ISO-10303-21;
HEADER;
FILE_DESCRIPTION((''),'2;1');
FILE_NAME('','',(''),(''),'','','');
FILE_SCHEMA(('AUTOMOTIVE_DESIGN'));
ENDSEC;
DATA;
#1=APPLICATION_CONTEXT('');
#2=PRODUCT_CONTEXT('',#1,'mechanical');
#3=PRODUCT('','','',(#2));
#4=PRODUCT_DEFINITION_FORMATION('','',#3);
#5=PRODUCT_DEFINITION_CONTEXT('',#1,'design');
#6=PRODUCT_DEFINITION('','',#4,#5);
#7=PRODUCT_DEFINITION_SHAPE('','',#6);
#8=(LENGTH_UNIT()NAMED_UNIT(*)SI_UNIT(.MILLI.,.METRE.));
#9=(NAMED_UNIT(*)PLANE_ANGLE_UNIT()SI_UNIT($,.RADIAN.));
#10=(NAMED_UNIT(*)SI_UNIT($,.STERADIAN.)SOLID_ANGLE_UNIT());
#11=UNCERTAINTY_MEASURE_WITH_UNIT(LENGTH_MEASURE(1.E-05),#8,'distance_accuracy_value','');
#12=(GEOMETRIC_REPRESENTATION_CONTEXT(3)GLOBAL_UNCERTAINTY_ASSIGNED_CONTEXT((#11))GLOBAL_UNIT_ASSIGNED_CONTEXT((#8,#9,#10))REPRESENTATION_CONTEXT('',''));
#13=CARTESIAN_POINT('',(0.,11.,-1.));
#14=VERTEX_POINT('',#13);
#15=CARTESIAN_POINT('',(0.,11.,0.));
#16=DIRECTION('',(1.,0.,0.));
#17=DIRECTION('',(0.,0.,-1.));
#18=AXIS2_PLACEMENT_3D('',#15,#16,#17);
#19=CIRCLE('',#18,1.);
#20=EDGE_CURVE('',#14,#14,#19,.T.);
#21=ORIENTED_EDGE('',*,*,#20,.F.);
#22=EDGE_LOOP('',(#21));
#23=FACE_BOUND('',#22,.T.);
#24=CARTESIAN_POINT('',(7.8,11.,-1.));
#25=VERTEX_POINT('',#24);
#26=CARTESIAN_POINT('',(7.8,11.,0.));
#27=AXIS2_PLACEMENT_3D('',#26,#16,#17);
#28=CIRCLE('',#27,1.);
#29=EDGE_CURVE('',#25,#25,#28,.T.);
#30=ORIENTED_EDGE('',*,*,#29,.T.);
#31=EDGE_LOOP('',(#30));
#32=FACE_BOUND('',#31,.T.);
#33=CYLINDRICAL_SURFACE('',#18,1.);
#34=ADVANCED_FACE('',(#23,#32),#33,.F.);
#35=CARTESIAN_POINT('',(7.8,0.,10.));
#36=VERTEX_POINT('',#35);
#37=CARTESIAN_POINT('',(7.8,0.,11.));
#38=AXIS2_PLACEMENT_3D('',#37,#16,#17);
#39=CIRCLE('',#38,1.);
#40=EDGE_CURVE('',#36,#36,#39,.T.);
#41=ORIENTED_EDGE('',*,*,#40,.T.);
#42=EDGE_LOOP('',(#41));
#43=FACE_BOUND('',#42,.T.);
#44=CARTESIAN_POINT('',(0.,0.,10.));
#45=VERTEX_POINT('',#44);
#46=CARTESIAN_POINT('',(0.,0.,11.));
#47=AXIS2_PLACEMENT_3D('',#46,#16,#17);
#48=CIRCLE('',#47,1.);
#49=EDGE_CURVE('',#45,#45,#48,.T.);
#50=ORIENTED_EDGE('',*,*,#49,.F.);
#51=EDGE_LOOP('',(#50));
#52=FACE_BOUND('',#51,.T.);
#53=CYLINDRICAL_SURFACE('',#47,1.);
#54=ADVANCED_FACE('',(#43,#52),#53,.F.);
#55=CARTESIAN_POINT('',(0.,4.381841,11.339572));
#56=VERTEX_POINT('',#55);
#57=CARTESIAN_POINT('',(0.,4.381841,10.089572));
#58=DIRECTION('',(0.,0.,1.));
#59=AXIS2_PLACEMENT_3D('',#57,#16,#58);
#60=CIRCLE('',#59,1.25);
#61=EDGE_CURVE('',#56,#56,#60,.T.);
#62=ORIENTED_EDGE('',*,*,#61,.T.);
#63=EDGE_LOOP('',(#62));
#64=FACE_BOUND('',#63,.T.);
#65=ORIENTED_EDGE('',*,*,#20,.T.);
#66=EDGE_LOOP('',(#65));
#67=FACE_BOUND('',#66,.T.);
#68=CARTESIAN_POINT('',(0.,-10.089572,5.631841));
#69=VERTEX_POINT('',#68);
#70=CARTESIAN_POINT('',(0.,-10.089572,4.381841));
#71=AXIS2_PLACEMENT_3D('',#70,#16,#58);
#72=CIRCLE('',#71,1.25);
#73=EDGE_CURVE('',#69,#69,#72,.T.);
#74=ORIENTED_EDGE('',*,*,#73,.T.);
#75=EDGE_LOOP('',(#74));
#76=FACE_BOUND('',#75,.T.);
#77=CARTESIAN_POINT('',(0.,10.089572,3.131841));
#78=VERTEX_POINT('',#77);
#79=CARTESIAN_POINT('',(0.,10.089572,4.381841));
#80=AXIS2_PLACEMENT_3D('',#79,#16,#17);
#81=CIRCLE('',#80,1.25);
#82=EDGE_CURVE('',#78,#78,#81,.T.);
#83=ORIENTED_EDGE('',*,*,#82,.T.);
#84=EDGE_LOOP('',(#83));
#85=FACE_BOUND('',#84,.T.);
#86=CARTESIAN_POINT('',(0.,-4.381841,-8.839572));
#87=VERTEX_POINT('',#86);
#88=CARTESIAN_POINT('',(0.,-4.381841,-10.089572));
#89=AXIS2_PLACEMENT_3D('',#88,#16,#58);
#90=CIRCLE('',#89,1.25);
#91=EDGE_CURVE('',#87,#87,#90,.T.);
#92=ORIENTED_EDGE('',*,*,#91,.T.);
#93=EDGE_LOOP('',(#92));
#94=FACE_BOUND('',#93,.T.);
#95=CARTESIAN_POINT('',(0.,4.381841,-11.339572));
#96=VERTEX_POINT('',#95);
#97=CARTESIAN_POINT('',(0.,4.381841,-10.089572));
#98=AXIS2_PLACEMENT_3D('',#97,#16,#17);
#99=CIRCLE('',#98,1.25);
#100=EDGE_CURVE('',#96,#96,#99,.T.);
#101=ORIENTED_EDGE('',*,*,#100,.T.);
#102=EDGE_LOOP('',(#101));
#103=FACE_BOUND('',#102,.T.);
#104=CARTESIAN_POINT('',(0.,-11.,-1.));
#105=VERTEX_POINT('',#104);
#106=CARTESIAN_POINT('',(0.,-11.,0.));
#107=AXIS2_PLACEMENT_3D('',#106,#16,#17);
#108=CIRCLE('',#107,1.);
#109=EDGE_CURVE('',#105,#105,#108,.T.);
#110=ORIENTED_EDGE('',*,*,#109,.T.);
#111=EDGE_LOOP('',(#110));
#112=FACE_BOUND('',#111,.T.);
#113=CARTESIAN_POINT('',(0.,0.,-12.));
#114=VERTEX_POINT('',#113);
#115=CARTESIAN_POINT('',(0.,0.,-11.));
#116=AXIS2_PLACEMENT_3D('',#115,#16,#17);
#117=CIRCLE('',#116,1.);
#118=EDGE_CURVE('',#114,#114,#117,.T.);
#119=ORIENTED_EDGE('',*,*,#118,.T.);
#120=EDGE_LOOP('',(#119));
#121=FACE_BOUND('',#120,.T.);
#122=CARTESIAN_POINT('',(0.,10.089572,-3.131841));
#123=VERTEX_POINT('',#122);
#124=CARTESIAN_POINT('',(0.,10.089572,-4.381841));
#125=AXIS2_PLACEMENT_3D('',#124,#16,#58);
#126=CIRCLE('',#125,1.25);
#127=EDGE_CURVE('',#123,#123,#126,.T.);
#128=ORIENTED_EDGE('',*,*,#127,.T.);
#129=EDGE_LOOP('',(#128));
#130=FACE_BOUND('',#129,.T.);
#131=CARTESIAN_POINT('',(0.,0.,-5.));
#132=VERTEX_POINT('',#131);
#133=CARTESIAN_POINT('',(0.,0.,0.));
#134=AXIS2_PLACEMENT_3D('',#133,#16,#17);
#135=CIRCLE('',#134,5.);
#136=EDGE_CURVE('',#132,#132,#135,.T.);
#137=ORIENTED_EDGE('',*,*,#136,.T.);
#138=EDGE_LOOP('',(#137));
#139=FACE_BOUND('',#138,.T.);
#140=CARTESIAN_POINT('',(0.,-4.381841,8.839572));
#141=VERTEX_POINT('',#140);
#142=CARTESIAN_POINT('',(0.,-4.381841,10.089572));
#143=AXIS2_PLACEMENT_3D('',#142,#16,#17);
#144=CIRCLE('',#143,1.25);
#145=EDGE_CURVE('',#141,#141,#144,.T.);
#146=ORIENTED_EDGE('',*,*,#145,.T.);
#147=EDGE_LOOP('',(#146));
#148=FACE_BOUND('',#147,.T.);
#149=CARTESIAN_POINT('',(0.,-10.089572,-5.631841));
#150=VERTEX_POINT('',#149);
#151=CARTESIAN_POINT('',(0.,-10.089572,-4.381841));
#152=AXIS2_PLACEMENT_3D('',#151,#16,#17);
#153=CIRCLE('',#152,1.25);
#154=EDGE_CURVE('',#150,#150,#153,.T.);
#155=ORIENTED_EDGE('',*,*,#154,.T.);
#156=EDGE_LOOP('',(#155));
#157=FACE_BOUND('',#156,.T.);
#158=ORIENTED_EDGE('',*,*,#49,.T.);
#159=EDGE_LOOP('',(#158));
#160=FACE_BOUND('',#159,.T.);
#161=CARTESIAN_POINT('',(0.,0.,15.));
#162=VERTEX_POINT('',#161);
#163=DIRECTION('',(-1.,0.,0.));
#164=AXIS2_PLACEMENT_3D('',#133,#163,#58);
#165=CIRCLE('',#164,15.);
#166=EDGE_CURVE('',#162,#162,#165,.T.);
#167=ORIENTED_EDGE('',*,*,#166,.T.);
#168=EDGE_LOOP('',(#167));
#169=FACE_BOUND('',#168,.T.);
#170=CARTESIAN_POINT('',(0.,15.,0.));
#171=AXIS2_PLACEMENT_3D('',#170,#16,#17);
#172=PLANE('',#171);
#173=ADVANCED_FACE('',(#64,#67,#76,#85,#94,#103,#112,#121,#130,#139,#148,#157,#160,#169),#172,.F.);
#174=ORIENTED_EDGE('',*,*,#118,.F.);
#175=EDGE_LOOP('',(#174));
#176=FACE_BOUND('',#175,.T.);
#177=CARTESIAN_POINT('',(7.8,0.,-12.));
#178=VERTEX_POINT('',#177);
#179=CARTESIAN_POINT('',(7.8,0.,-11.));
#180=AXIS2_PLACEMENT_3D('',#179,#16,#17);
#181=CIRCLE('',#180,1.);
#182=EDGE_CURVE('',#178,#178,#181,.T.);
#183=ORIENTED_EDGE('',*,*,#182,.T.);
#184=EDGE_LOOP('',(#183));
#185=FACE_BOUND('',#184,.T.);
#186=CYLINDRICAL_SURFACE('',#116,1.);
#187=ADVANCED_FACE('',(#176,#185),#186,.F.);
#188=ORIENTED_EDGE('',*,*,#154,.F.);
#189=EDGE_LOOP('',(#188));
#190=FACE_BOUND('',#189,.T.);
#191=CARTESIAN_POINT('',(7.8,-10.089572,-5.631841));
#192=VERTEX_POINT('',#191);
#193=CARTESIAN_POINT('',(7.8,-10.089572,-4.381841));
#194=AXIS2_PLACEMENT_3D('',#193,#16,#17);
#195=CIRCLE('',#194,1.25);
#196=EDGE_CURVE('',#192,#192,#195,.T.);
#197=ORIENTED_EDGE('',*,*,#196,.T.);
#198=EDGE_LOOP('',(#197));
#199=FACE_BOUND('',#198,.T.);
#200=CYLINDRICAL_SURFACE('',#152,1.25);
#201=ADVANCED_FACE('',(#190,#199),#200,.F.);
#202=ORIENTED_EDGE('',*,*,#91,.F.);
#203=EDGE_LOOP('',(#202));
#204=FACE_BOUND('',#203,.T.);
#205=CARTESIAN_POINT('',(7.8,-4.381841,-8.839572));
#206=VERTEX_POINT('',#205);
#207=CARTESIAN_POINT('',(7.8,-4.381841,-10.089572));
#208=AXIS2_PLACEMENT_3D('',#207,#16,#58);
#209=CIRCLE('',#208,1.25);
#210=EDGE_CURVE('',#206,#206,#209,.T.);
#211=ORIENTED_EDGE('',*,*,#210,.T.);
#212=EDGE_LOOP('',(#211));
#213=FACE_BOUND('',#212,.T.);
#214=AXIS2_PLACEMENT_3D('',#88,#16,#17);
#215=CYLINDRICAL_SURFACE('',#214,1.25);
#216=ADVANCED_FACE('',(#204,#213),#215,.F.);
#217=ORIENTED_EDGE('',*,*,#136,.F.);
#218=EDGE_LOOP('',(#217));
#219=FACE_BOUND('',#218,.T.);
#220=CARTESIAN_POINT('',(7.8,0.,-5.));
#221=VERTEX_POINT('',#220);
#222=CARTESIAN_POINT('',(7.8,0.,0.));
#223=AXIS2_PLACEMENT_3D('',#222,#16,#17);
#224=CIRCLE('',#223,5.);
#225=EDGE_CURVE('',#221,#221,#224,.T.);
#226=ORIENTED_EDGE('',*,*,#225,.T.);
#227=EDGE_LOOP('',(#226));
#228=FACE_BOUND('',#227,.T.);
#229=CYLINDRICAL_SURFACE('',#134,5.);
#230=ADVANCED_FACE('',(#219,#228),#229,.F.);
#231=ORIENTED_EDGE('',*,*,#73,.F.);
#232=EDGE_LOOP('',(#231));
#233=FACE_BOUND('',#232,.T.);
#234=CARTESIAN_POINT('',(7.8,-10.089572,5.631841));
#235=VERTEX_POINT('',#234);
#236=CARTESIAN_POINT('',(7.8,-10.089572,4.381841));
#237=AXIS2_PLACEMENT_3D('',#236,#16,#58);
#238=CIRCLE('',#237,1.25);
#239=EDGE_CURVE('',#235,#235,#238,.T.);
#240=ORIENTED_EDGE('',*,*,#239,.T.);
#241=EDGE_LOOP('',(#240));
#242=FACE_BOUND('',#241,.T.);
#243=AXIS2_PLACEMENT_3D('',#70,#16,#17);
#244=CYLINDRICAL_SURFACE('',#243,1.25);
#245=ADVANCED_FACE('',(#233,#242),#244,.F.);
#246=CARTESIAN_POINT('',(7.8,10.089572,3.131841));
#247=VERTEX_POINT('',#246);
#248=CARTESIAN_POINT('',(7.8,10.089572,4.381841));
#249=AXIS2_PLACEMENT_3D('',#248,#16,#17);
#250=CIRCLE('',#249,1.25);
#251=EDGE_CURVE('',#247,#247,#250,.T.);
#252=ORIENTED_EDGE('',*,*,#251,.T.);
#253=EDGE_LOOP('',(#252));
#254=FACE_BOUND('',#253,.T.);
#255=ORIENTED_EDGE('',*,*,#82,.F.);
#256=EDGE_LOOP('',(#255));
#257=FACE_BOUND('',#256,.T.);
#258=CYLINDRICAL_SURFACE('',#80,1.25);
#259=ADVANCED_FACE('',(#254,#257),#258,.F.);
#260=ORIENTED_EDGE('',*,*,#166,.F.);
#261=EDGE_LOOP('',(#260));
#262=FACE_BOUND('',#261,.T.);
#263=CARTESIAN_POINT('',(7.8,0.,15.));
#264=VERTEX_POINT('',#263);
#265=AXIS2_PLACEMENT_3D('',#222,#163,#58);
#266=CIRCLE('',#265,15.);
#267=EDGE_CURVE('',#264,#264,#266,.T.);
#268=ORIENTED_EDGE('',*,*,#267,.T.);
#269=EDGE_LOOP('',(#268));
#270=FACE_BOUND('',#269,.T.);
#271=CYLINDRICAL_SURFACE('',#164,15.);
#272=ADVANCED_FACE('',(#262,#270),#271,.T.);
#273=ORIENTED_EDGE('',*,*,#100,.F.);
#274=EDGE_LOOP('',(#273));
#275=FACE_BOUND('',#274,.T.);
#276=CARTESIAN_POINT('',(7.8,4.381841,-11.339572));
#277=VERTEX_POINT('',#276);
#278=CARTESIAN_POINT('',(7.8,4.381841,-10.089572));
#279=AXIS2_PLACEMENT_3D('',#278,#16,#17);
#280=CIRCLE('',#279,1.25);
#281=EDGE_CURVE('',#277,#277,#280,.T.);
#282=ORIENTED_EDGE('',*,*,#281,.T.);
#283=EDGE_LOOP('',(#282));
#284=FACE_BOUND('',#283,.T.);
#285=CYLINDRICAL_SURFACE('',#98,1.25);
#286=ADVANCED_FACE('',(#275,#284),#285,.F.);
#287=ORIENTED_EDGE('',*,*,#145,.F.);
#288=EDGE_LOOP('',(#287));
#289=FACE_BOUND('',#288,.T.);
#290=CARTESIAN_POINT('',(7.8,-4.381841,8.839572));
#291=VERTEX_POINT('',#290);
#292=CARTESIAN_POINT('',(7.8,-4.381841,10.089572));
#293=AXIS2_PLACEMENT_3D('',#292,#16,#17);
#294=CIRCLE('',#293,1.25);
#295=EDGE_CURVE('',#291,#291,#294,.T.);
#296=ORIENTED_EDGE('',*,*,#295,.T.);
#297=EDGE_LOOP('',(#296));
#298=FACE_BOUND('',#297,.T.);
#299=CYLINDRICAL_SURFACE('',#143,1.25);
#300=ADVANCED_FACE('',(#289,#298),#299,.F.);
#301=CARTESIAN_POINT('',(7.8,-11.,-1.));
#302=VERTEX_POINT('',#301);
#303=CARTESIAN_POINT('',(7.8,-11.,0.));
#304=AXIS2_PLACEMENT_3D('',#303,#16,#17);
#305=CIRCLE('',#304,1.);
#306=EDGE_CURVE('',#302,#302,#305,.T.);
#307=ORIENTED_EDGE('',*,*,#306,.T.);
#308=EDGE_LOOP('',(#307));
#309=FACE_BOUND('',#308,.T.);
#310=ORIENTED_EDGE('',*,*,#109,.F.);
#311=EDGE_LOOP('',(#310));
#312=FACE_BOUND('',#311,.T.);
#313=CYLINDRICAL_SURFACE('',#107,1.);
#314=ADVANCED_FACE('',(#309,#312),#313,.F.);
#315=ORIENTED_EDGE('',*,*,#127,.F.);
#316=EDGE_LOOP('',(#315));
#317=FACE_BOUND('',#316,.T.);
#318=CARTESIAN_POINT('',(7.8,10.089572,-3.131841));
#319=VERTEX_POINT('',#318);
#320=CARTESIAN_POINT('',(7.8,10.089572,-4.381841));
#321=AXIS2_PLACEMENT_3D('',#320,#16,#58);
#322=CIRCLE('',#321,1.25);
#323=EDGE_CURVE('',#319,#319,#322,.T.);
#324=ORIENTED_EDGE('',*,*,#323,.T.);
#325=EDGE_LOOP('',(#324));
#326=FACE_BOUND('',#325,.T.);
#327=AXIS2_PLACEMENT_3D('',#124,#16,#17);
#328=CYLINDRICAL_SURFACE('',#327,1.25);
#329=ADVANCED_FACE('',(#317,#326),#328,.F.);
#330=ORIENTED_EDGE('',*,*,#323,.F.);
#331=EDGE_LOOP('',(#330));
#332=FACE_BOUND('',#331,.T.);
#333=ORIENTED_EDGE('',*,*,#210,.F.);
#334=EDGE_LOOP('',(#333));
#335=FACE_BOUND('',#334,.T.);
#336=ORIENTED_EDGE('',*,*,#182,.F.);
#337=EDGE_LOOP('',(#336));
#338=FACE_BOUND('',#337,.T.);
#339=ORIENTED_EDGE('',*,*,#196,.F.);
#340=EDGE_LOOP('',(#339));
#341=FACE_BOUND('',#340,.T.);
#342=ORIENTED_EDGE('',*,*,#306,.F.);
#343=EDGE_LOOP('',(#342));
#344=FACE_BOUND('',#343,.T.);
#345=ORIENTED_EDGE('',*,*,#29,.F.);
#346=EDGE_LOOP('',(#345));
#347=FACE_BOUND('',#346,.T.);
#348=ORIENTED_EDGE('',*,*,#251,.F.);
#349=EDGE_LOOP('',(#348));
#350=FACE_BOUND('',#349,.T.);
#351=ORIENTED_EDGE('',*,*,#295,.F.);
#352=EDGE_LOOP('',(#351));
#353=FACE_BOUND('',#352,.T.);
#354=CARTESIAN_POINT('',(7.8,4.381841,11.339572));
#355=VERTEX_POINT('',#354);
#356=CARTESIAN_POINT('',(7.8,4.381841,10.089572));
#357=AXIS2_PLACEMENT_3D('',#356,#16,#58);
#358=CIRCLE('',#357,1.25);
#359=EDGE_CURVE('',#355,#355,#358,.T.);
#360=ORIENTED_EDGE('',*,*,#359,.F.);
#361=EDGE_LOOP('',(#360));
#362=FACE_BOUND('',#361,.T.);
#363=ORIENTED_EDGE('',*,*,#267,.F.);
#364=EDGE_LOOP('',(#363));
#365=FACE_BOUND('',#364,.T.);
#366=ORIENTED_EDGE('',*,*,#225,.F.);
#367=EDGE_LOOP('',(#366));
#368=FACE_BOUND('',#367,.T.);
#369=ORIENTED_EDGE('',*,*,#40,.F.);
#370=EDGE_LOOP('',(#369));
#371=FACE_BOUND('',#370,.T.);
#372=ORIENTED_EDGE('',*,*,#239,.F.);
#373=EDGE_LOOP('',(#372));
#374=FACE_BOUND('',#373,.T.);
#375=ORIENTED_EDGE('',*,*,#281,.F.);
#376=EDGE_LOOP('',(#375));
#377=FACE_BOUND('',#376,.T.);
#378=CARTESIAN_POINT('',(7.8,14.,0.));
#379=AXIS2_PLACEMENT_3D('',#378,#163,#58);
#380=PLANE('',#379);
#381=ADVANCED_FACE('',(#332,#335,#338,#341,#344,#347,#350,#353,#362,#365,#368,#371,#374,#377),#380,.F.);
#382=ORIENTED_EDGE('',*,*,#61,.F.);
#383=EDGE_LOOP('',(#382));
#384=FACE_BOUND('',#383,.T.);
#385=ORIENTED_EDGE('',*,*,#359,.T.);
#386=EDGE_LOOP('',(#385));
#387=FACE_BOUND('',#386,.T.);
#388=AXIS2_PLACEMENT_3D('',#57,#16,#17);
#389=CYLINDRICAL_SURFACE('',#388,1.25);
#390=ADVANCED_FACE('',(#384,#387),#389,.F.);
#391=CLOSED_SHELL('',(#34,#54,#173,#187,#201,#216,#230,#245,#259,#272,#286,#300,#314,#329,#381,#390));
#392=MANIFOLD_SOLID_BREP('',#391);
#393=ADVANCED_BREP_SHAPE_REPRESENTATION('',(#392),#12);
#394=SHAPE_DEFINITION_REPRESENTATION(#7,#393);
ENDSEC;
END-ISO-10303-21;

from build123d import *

# Parameters (mm, degrees)
SKETCH4_R          = 1
SKETCH4_R_2        = 1.25
EXTRUDE2_DEPTH     = 8.8
SKETCH5_R          = 5
CUT_EXTRUDE1_DEPTH = 8.8


with BuildPart() as part:
    # Sketch1 → Revolve1 (revolve)
    with BuildSketch(Plane.XY):
        Polygon((6.609375, 15), (1.190625, 15), (0, 15), (0, 14), (0, 0), (7.8, 0), (7.8, 14), (7.8, 15), align=None)
    revolve(axis=Axis((0, 0, 0), (1, 0, 0)))

    # Sketch4 → Extrude2 (cut, through all)
    with BuildSketch(Plane(origin=(7.8, 0, 0), x_dir=(0, 0, -1), z_dir=(1, 0, 0))):
        with Locations((0, 11)):
            Circle(SKETCH4_R)
        with Locations((-4.381841494, 10.089572098)):
            Circle(SKETCH4_R_2)
        with Locations((4.381841494, 10.089572098)):
            Circle(SKETCH4_R_2)
        with Locations((10.089572098, -4.381841494)):
            Circle(SKETCH4_R_2)
        with Locations((11, 0)):
            Circle(SKETCH4_R)
        with Locations((10.089572098, 4.381841494)):
            Circle(SKETCH4_R_2)
        with Locations((-4.381841494, -10.089572098)):
            Circle(SKETCH4_R_2)
        with Locations((0, -11)):
            Circle(SKETCH4_R)
        with Locations((4.381841494, -10.089572098)):
            Circle(SKETCH4_R_2)
        with Locations((-10.089572098, 4.381841494)):
            Circle(SKETCH4_R_2)
        with Locations((-11, 0)):
            Circle(SKETCH4_R)
        with Locations((-10.089572098, -4.381841494)):
            Circle(SKETCH4_R_2)
    extrude(amount=-EXTRUDE2_DEPTH, mode=Mode.SUBTRACT)

    # Sketch5 → Cut-Extrude1 (cut, through all)
    with BuildSketch(Plane(origin=(7.8, 0, 0), x_dir=(0, 0, -1), z_dir=(1, 0, 0))):
        Circle(SKETCH5_R)
    extrude(amount=-CUT_EXTRUDE1_DEPTH, mode=Mode.SUBTRACT)


solid = part.part
